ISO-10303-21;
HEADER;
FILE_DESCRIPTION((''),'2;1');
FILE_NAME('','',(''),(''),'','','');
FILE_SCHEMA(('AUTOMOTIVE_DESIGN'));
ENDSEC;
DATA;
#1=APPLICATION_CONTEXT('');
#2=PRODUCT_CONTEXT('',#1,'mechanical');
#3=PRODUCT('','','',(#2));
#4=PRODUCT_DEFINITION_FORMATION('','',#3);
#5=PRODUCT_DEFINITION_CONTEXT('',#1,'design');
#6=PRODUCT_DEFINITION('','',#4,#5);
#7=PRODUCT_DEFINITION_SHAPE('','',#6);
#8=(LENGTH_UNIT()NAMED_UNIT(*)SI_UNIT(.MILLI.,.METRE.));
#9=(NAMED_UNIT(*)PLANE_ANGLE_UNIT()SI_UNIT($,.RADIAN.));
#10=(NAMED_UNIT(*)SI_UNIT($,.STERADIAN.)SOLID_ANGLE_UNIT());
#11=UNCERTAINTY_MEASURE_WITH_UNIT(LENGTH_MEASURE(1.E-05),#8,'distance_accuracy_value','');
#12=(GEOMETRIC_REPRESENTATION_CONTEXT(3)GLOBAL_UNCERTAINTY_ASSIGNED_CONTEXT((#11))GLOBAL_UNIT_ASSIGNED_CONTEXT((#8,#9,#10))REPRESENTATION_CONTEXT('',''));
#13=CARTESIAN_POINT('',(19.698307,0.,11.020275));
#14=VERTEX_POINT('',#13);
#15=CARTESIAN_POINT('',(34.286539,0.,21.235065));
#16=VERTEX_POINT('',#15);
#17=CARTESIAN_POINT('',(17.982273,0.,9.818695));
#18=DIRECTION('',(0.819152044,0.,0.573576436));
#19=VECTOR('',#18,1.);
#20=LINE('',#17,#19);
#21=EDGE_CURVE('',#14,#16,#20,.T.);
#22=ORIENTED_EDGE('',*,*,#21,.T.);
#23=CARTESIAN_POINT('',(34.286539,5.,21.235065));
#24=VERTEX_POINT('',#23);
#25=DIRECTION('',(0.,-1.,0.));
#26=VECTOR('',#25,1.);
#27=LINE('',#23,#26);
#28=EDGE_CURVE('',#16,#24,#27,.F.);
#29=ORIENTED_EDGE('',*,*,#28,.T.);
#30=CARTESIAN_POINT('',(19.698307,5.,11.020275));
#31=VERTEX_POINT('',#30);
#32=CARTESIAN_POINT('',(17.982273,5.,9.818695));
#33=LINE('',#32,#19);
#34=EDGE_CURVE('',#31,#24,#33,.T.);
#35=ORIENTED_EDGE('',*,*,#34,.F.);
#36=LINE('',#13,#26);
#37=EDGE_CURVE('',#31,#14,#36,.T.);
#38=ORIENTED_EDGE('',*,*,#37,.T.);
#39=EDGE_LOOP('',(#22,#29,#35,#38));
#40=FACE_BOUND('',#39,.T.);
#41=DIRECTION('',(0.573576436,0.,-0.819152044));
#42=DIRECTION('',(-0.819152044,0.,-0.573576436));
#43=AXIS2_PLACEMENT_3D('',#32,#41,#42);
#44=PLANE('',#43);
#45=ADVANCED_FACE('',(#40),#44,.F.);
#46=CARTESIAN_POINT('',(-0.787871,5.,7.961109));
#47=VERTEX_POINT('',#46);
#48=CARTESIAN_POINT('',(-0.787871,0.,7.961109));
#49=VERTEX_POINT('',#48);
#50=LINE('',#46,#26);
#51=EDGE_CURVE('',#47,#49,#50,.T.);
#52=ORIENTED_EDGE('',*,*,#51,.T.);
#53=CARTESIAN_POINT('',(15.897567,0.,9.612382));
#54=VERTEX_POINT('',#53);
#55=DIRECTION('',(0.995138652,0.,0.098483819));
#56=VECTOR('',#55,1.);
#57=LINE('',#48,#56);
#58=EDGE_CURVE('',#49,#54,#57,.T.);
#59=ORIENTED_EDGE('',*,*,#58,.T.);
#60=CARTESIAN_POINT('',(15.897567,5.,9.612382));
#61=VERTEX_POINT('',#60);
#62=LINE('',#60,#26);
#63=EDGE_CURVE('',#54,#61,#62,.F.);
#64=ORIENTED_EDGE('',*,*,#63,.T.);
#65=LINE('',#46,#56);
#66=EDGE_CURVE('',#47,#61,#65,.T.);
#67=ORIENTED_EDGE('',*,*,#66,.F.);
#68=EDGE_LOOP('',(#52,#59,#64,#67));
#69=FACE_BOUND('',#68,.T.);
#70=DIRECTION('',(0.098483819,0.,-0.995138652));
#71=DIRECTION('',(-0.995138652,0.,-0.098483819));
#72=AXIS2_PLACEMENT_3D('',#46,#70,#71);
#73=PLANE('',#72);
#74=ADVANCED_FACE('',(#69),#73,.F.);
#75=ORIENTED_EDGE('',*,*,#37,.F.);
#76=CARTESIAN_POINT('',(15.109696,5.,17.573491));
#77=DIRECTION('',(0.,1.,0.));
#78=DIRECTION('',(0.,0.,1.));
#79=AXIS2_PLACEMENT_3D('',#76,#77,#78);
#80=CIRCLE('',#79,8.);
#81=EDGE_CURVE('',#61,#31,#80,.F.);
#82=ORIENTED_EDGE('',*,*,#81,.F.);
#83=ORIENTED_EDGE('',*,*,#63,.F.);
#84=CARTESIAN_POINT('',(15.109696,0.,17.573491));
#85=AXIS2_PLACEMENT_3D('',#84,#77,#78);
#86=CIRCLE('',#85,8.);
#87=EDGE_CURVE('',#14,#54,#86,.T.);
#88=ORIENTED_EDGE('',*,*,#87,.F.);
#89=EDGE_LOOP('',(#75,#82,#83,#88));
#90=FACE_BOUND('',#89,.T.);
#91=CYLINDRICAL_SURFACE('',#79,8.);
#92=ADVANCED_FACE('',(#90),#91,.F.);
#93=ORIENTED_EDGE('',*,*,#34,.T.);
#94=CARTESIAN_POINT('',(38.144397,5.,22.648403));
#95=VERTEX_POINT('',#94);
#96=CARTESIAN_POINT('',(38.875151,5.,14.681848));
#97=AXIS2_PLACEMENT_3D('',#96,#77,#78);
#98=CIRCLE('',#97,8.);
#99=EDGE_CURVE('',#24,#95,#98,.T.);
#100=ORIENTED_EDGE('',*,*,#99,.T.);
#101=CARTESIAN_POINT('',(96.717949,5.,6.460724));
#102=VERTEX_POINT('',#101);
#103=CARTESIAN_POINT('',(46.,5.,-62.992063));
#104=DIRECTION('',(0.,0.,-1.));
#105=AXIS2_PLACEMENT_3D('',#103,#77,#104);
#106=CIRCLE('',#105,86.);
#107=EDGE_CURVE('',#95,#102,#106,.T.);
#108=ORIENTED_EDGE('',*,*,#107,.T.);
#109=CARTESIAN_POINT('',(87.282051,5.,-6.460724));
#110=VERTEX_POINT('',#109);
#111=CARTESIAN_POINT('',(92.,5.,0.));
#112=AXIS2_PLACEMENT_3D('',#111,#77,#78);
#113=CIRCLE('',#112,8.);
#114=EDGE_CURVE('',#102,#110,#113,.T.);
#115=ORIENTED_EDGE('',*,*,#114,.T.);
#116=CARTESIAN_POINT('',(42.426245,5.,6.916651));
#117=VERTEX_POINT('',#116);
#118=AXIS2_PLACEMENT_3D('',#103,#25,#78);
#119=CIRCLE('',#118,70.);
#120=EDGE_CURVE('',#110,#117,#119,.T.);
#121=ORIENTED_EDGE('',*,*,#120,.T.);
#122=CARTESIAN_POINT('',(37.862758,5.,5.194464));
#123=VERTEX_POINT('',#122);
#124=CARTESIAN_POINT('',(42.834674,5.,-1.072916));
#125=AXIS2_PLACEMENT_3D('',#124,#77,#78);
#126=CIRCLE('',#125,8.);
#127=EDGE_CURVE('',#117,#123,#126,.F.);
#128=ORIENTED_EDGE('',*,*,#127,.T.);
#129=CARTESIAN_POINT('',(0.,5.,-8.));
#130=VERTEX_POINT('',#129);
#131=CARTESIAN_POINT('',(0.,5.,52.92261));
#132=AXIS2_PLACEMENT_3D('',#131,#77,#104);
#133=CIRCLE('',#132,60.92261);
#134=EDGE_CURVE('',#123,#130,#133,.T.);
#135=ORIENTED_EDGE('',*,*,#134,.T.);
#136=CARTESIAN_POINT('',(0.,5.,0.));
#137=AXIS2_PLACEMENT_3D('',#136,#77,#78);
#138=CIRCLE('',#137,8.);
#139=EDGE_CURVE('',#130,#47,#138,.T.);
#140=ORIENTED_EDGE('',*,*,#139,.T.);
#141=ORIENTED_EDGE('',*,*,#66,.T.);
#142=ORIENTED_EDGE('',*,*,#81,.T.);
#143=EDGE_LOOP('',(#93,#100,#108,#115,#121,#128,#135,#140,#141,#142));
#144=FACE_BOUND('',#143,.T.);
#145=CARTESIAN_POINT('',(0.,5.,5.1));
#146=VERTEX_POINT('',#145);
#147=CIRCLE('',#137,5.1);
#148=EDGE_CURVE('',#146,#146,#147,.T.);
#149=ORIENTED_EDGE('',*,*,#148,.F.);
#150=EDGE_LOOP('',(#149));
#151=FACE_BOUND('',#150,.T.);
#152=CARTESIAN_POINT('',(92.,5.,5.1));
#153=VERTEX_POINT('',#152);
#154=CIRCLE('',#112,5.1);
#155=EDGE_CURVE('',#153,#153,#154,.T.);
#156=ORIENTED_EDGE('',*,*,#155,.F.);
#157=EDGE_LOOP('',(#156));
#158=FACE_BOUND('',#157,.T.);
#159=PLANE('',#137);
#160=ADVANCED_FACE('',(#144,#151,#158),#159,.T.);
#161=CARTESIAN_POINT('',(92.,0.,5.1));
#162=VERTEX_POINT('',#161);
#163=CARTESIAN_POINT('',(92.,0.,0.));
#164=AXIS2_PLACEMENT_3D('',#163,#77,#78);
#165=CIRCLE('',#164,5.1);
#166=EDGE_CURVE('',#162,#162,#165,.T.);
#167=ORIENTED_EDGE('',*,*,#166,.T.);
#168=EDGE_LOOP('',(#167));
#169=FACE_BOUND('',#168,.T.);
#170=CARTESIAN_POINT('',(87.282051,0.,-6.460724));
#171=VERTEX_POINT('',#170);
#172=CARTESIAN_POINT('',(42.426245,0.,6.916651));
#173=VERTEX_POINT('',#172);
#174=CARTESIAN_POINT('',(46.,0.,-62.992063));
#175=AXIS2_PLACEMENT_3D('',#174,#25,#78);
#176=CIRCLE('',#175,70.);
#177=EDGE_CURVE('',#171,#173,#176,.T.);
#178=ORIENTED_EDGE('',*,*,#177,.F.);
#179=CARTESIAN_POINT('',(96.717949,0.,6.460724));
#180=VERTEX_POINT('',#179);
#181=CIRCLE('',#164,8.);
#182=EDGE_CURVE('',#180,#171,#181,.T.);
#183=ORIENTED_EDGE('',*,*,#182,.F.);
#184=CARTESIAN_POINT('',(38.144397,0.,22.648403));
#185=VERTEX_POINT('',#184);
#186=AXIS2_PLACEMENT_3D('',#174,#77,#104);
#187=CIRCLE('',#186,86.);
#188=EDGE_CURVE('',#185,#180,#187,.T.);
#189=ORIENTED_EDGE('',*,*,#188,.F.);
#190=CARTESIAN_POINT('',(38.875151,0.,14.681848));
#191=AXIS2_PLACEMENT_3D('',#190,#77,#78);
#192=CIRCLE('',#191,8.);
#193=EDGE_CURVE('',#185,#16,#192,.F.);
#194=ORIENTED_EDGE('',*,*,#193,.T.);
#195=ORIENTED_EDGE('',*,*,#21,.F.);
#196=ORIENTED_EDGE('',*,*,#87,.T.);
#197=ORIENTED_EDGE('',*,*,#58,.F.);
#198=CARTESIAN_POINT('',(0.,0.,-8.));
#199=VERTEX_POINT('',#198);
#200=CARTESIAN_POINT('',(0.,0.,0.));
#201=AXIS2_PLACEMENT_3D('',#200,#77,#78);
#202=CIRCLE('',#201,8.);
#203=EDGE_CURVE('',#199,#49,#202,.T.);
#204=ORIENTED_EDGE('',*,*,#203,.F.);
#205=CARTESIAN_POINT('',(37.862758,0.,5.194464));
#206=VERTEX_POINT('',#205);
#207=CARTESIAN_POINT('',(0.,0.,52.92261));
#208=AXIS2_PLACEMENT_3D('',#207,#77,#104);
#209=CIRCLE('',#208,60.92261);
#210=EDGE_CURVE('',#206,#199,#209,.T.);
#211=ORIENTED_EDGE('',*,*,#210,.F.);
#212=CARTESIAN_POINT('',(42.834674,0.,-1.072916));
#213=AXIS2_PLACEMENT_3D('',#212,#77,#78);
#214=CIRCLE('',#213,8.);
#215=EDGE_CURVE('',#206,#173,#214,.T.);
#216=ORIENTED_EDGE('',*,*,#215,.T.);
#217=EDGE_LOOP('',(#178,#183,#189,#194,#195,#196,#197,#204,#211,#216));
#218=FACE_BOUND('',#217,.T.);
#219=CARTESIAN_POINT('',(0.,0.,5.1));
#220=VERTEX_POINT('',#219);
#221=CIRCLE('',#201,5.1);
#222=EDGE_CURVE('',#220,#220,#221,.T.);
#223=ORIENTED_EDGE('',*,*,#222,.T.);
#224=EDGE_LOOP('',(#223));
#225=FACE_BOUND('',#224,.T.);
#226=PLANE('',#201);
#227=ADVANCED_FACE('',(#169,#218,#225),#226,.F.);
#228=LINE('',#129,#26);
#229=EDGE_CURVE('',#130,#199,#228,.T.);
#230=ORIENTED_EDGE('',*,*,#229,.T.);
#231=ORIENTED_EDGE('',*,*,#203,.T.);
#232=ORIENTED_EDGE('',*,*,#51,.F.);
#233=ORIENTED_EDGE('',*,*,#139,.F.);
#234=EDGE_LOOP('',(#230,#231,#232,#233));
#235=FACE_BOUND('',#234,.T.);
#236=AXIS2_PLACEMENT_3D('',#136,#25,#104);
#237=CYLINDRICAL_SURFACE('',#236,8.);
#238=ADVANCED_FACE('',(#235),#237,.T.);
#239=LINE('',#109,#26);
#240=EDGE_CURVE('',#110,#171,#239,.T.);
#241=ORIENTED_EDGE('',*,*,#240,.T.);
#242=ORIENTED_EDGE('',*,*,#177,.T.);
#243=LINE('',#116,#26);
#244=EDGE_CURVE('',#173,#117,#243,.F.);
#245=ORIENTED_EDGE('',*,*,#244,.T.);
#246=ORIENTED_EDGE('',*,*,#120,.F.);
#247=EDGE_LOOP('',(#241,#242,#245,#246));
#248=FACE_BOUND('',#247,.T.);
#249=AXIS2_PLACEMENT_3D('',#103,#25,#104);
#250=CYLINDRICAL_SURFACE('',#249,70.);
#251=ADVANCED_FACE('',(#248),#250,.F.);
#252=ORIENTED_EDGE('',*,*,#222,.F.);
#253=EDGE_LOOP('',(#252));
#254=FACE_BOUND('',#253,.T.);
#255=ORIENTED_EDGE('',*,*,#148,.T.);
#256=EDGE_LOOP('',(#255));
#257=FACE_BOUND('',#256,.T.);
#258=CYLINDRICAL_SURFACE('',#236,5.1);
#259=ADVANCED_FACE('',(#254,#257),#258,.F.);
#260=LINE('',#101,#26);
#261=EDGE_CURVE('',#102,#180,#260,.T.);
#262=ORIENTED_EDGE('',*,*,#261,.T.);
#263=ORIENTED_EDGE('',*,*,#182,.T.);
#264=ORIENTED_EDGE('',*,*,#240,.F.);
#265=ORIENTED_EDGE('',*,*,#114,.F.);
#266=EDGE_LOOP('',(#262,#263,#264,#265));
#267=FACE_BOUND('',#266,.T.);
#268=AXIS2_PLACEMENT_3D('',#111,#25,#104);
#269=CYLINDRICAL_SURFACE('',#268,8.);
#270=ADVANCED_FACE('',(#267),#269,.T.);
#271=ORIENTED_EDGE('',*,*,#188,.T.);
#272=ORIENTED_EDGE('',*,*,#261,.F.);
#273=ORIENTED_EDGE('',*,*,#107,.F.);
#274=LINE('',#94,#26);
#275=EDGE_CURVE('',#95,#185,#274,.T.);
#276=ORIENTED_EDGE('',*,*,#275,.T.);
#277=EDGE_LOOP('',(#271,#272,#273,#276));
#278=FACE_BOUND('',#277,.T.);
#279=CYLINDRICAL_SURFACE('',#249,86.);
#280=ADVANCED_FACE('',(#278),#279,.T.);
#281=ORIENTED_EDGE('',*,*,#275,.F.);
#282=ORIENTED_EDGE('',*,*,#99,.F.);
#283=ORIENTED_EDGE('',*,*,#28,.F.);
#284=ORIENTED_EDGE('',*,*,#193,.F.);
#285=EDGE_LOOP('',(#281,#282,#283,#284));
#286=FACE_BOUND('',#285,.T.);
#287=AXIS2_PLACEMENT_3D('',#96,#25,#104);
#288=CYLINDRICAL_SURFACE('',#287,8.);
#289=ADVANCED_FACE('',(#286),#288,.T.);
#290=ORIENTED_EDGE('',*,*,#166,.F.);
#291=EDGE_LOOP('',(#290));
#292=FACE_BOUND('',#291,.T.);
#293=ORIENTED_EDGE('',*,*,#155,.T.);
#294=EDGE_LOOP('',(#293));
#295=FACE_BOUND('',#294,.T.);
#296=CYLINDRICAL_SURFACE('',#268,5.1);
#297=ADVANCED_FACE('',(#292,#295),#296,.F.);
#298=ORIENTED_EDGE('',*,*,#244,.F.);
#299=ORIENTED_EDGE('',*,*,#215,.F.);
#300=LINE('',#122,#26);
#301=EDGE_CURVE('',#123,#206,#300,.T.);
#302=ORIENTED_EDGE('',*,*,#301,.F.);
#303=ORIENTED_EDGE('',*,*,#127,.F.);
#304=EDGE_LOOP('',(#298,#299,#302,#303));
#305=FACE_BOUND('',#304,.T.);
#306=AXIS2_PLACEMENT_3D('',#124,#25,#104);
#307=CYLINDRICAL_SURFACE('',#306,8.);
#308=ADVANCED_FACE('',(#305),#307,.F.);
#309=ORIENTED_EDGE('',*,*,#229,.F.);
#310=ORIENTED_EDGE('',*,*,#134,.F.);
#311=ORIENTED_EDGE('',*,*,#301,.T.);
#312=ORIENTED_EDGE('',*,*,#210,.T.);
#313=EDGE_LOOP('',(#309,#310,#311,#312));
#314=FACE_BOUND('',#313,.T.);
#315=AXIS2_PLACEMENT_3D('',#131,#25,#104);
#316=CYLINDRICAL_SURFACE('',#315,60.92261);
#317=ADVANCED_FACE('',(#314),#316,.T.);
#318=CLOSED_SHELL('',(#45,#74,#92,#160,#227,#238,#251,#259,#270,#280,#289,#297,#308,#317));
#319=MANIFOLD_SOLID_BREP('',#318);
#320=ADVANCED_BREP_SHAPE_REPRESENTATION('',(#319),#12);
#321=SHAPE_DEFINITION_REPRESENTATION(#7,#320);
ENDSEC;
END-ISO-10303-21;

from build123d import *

# Parameters (mm, degrees)
SKETCH_1_R      = 5.1
EXTRUDE_1_DEPTH = 5
FILLET_1_R      = 8


with BuildPart() as part:
    # 草图1 → 凸台-拉伸1 (new body)
    with BuildSketch(Plane(origin=(0, 0, 0), x_dir=(1, 0, 0), z_dir=(0, 1, 0))):
        with BuildLine():
            Line((-0.787870548, -7.961109219), (17.98227334, -9.818695034))
            Line((17.98227334, -9.818695034), (35.982367897, -22.422496932))
            ThreePointArc((35.982367897, -22.422496932), (67.859174016, -20.183513419), (96.717948718, -6.460724409))
            ThreePointArc((96.717948718, -6.460724409), (98.460724409, 4.717948718), (87.282051282, 6.460724409))
            ThreePointArc((87.282051282, 6.460724409), (64.699919143, -4.463945073), (39.716178923, -6.725320727))
            ThreePointArc((39.716178923, -6.725320727), (21.179057691, 4.200169373), (0, 8))
            ThreePointArc((0, 8), (-7.990271389, 0.394414913), (-0.787870548, -7.961109219))
        make_face()
        with Locations(Location((0, 0, 0), (0, 0, 270))):
            Circle(SKETCH_1_R, mode=Mode.SUBTRACT)
        with Locations(Location((92, 0, 0), (0, 0, 270))):
            Circle(SKETCH_1_R, mode=Mode.SUBTRACT)
    extrude(amount=EXTRUDE_1_DEPTH)

    # 圆角1
    fillet_1_edges = [part.edges().sort_by_distance(p)[0] for p in [
        (39.716178923, 2.5, 6.725320727),
        (35.982367897, 2.5, 22.422496932),
        (17.98227334, 2.5, 9.818695034),
    ]]
    fillet(fillet_1_edges, radius=FILLET_1_R)


solid = part.part
